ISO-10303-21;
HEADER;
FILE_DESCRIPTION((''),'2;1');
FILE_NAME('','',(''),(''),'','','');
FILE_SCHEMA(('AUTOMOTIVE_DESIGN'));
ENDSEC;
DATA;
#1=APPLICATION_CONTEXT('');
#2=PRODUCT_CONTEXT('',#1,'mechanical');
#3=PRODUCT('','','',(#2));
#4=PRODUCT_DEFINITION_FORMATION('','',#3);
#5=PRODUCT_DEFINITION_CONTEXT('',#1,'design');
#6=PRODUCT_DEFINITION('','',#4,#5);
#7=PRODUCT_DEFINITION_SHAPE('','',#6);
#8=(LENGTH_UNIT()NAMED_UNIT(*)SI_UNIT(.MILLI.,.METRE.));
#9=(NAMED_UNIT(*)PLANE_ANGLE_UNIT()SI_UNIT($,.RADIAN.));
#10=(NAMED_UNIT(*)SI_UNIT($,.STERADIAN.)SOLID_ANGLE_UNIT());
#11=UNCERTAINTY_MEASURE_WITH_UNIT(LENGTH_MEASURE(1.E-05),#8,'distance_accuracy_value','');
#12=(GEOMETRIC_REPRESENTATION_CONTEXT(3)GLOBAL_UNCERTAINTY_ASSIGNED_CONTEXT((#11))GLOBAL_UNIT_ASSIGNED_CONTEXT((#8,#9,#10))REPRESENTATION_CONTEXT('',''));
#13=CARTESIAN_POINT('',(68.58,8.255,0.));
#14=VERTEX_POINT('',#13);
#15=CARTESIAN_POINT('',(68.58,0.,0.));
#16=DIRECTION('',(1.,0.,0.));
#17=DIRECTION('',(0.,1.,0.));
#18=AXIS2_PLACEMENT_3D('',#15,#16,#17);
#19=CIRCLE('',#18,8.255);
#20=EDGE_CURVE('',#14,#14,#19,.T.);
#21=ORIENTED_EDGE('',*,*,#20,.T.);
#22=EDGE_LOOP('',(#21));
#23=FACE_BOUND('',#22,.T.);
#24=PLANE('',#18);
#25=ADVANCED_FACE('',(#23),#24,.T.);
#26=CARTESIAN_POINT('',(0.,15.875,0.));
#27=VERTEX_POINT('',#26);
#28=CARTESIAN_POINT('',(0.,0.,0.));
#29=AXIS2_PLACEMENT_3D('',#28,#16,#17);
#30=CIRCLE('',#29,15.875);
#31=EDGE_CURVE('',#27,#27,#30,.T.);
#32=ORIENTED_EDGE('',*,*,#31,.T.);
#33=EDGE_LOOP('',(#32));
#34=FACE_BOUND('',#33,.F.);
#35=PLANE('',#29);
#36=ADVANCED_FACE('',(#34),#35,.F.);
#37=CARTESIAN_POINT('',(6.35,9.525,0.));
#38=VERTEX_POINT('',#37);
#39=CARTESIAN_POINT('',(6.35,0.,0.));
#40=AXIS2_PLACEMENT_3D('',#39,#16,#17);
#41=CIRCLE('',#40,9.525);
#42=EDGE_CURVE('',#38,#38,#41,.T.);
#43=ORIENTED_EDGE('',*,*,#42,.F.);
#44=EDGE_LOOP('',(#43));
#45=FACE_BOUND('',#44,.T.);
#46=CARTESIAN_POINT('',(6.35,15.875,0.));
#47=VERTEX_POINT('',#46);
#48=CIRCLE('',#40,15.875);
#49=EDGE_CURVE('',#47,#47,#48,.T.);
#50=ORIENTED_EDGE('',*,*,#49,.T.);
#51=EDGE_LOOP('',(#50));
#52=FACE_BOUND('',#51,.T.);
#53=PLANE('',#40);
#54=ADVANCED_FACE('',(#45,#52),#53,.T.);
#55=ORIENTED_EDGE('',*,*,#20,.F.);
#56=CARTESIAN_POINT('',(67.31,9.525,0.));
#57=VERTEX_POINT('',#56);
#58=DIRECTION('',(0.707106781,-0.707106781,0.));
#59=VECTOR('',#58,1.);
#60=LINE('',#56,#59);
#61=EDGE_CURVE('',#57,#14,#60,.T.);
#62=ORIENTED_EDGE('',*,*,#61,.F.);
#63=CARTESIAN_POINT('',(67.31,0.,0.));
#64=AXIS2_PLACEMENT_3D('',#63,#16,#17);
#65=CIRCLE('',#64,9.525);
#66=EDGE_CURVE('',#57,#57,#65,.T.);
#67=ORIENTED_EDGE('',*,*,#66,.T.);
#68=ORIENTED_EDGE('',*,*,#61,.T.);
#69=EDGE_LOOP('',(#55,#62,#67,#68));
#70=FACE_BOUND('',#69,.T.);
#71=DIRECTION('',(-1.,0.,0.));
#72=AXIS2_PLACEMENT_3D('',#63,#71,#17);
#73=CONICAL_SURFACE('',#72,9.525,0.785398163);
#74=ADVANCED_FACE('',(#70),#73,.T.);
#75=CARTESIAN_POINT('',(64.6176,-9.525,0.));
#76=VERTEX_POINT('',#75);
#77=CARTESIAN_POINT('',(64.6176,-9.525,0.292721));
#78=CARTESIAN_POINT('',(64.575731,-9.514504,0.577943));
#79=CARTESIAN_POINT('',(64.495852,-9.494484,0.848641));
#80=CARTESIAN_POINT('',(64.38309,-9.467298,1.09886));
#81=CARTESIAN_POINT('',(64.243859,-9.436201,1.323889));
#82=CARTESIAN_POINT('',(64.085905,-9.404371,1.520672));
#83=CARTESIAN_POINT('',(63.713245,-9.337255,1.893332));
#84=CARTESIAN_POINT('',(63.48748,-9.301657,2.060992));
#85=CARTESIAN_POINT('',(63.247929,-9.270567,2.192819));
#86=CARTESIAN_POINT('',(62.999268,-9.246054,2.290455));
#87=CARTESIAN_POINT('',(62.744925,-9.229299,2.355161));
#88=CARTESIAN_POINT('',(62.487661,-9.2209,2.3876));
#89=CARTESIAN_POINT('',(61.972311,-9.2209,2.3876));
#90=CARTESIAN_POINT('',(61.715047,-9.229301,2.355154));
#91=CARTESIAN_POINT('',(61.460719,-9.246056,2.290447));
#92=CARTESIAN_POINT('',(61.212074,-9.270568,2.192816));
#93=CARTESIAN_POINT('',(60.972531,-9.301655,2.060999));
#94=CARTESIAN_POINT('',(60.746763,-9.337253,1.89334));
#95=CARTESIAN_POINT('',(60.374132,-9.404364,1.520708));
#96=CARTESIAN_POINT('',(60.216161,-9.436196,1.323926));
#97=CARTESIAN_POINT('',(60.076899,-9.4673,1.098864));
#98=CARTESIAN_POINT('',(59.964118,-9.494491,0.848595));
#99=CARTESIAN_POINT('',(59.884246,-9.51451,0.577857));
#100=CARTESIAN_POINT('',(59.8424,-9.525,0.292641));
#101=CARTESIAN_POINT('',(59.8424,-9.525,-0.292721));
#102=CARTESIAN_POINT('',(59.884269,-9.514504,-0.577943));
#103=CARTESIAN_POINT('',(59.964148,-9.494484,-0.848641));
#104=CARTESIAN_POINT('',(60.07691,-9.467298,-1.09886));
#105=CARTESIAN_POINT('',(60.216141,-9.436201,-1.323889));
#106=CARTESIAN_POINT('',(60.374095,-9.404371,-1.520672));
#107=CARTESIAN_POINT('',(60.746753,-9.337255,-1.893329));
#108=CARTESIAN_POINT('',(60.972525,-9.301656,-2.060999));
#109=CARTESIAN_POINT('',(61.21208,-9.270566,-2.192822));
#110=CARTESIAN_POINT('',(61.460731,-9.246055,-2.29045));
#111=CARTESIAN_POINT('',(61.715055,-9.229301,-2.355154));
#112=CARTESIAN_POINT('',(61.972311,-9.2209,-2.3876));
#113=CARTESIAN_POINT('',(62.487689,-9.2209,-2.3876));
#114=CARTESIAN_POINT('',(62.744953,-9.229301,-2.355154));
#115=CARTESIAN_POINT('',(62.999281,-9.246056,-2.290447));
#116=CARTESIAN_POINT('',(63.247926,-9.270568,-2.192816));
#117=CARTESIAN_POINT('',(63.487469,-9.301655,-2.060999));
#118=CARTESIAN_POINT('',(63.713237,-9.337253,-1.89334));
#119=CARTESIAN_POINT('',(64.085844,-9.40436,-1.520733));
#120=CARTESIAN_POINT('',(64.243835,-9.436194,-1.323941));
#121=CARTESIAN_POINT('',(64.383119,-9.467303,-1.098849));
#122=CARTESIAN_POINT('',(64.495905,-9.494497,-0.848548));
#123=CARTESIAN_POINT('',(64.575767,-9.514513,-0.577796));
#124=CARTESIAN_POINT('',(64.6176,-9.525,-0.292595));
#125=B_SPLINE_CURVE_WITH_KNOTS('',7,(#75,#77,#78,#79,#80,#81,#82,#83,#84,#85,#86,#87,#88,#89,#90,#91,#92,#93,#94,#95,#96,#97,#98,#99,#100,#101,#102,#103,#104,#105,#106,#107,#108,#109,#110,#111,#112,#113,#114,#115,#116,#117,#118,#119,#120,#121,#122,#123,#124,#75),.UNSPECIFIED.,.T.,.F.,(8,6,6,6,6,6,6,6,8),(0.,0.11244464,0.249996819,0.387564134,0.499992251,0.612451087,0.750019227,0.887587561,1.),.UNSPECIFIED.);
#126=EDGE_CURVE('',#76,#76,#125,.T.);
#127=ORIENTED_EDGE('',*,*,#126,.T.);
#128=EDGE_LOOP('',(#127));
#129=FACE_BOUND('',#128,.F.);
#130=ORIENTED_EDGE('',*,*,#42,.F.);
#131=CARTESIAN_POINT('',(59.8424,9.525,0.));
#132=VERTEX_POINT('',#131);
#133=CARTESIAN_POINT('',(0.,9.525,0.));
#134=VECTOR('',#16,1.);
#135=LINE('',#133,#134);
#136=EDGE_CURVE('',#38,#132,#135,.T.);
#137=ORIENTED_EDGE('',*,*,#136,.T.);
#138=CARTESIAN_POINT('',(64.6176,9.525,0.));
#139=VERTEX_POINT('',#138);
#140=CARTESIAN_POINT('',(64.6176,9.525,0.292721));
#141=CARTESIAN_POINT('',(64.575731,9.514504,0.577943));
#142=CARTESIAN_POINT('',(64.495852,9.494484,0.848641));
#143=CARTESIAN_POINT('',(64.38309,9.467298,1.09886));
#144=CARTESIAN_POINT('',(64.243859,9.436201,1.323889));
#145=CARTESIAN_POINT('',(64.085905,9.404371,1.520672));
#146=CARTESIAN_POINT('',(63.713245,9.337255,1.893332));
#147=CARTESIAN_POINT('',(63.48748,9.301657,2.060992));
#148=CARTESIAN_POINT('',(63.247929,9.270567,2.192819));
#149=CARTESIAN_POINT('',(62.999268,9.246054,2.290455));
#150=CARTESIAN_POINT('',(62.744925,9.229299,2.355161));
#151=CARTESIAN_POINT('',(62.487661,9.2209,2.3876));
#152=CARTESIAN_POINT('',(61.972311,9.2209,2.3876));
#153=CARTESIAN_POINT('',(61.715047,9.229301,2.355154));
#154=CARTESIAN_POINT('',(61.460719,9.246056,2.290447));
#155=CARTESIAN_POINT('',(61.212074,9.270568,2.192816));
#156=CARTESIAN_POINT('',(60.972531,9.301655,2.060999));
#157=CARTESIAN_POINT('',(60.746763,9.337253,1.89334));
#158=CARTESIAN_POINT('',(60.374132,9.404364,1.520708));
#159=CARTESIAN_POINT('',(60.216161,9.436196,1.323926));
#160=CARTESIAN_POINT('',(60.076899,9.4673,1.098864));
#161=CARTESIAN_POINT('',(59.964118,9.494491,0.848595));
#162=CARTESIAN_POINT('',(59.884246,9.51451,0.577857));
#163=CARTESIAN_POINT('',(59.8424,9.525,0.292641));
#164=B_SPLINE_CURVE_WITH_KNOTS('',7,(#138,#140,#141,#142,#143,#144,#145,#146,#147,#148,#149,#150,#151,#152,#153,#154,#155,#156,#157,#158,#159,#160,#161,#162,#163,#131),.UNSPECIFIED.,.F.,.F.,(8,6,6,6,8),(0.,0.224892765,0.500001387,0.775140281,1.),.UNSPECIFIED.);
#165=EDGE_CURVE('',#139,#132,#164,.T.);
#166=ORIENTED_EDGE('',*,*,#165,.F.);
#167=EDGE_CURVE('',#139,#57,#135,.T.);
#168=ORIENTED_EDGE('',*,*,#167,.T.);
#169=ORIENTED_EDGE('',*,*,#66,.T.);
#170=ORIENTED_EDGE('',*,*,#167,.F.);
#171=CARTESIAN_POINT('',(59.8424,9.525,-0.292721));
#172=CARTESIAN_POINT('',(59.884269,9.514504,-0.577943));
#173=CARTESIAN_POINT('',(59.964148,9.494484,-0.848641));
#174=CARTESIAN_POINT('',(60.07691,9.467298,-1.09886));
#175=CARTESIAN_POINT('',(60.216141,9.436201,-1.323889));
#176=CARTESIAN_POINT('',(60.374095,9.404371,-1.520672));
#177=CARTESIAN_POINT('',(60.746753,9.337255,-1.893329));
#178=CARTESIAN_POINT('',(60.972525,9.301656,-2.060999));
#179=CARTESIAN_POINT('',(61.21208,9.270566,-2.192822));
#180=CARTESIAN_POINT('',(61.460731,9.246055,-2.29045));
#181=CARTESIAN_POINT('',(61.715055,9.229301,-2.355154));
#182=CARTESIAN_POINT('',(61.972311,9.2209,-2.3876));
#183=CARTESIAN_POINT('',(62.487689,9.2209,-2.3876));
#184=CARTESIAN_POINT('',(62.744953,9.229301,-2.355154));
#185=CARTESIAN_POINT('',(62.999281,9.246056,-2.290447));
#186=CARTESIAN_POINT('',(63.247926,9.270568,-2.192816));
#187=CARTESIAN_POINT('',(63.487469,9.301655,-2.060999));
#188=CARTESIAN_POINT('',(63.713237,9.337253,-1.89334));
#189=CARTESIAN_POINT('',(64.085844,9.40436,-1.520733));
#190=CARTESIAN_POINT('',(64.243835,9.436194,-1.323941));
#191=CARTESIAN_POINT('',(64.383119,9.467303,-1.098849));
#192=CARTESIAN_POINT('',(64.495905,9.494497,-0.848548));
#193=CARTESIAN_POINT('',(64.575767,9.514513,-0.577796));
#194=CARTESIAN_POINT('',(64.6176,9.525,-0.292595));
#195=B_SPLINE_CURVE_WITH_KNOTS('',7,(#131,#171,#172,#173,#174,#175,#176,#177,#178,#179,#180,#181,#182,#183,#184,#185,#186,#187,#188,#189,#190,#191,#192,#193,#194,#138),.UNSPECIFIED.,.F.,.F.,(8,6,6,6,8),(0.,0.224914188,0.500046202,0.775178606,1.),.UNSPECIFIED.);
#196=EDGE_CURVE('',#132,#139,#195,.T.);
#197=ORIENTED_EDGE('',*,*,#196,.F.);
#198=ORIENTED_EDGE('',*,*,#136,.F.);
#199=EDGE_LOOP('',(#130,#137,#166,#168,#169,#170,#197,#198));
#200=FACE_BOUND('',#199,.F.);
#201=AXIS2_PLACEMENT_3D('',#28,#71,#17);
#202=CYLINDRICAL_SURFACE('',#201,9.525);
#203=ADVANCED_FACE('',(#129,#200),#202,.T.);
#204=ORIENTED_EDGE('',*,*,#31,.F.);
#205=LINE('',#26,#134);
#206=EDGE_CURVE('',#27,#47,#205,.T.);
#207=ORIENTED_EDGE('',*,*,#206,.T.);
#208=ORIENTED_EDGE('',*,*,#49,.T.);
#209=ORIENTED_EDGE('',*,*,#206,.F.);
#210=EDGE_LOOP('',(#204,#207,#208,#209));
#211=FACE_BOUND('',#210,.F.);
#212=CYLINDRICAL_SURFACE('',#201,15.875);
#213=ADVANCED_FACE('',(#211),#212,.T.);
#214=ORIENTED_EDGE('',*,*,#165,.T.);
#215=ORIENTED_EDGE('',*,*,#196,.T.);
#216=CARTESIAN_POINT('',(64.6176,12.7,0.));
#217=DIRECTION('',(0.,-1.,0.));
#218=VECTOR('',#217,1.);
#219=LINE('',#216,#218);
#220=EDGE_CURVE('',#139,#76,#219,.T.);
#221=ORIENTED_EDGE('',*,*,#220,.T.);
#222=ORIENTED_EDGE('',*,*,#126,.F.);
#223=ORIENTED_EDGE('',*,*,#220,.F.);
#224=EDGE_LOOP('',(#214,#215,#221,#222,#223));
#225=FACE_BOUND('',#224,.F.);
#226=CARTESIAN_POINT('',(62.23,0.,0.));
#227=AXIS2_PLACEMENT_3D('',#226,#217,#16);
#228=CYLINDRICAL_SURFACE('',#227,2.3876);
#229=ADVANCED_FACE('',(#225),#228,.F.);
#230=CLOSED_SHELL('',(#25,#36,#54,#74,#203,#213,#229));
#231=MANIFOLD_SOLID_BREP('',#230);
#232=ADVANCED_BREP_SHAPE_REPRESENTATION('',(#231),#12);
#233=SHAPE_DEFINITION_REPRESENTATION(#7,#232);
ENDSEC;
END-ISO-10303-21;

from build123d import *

# Parameters (mm, degrees)
F0_R     = 15.875
F0_R_2   = 9.525
F1_DEPTH = 6.35
F2_DEPTH = 68.58
F3_R     = 2.3876
F4_DEPTH = 12.7
F5_SIZE2 = 1.27
F5_SIZE  = 1.27


with BuildPart() as f1:
    # F0 (on Right) → F1 (new body)
    with BuildSketch(Plane.YZ):
        Circle(F0_R)
        Circle(F0_R_2, mode=Mode.SUBTRACT)
    extrude(amount=F1_DEPTH)

    # F0 (on Right) → F2 (join)
    with BuildSketch(Plane.YZ):
        Circle(F0_R_2)
    extrude(amount=F2_DEPTH)

    # F3 (on Front) → F4 (cut, symmetric)
    with BuildSketch(Plane.XZ):
        with Locations((62.23, 0)):
            Circle(F3_R)
    extrude(amount=F4_DEPTH, both=True, mode=Mode.SUBTRACT)

    # F5
    f5_edges = [f1.edges().sort_by_distance(p)[0] for p in [
        (68.58, -9.525, 0),
    ]]
    chamfer(f5_edges, length=F5_SIZE, length2=F5_SIZE2)


solid = f1.part
